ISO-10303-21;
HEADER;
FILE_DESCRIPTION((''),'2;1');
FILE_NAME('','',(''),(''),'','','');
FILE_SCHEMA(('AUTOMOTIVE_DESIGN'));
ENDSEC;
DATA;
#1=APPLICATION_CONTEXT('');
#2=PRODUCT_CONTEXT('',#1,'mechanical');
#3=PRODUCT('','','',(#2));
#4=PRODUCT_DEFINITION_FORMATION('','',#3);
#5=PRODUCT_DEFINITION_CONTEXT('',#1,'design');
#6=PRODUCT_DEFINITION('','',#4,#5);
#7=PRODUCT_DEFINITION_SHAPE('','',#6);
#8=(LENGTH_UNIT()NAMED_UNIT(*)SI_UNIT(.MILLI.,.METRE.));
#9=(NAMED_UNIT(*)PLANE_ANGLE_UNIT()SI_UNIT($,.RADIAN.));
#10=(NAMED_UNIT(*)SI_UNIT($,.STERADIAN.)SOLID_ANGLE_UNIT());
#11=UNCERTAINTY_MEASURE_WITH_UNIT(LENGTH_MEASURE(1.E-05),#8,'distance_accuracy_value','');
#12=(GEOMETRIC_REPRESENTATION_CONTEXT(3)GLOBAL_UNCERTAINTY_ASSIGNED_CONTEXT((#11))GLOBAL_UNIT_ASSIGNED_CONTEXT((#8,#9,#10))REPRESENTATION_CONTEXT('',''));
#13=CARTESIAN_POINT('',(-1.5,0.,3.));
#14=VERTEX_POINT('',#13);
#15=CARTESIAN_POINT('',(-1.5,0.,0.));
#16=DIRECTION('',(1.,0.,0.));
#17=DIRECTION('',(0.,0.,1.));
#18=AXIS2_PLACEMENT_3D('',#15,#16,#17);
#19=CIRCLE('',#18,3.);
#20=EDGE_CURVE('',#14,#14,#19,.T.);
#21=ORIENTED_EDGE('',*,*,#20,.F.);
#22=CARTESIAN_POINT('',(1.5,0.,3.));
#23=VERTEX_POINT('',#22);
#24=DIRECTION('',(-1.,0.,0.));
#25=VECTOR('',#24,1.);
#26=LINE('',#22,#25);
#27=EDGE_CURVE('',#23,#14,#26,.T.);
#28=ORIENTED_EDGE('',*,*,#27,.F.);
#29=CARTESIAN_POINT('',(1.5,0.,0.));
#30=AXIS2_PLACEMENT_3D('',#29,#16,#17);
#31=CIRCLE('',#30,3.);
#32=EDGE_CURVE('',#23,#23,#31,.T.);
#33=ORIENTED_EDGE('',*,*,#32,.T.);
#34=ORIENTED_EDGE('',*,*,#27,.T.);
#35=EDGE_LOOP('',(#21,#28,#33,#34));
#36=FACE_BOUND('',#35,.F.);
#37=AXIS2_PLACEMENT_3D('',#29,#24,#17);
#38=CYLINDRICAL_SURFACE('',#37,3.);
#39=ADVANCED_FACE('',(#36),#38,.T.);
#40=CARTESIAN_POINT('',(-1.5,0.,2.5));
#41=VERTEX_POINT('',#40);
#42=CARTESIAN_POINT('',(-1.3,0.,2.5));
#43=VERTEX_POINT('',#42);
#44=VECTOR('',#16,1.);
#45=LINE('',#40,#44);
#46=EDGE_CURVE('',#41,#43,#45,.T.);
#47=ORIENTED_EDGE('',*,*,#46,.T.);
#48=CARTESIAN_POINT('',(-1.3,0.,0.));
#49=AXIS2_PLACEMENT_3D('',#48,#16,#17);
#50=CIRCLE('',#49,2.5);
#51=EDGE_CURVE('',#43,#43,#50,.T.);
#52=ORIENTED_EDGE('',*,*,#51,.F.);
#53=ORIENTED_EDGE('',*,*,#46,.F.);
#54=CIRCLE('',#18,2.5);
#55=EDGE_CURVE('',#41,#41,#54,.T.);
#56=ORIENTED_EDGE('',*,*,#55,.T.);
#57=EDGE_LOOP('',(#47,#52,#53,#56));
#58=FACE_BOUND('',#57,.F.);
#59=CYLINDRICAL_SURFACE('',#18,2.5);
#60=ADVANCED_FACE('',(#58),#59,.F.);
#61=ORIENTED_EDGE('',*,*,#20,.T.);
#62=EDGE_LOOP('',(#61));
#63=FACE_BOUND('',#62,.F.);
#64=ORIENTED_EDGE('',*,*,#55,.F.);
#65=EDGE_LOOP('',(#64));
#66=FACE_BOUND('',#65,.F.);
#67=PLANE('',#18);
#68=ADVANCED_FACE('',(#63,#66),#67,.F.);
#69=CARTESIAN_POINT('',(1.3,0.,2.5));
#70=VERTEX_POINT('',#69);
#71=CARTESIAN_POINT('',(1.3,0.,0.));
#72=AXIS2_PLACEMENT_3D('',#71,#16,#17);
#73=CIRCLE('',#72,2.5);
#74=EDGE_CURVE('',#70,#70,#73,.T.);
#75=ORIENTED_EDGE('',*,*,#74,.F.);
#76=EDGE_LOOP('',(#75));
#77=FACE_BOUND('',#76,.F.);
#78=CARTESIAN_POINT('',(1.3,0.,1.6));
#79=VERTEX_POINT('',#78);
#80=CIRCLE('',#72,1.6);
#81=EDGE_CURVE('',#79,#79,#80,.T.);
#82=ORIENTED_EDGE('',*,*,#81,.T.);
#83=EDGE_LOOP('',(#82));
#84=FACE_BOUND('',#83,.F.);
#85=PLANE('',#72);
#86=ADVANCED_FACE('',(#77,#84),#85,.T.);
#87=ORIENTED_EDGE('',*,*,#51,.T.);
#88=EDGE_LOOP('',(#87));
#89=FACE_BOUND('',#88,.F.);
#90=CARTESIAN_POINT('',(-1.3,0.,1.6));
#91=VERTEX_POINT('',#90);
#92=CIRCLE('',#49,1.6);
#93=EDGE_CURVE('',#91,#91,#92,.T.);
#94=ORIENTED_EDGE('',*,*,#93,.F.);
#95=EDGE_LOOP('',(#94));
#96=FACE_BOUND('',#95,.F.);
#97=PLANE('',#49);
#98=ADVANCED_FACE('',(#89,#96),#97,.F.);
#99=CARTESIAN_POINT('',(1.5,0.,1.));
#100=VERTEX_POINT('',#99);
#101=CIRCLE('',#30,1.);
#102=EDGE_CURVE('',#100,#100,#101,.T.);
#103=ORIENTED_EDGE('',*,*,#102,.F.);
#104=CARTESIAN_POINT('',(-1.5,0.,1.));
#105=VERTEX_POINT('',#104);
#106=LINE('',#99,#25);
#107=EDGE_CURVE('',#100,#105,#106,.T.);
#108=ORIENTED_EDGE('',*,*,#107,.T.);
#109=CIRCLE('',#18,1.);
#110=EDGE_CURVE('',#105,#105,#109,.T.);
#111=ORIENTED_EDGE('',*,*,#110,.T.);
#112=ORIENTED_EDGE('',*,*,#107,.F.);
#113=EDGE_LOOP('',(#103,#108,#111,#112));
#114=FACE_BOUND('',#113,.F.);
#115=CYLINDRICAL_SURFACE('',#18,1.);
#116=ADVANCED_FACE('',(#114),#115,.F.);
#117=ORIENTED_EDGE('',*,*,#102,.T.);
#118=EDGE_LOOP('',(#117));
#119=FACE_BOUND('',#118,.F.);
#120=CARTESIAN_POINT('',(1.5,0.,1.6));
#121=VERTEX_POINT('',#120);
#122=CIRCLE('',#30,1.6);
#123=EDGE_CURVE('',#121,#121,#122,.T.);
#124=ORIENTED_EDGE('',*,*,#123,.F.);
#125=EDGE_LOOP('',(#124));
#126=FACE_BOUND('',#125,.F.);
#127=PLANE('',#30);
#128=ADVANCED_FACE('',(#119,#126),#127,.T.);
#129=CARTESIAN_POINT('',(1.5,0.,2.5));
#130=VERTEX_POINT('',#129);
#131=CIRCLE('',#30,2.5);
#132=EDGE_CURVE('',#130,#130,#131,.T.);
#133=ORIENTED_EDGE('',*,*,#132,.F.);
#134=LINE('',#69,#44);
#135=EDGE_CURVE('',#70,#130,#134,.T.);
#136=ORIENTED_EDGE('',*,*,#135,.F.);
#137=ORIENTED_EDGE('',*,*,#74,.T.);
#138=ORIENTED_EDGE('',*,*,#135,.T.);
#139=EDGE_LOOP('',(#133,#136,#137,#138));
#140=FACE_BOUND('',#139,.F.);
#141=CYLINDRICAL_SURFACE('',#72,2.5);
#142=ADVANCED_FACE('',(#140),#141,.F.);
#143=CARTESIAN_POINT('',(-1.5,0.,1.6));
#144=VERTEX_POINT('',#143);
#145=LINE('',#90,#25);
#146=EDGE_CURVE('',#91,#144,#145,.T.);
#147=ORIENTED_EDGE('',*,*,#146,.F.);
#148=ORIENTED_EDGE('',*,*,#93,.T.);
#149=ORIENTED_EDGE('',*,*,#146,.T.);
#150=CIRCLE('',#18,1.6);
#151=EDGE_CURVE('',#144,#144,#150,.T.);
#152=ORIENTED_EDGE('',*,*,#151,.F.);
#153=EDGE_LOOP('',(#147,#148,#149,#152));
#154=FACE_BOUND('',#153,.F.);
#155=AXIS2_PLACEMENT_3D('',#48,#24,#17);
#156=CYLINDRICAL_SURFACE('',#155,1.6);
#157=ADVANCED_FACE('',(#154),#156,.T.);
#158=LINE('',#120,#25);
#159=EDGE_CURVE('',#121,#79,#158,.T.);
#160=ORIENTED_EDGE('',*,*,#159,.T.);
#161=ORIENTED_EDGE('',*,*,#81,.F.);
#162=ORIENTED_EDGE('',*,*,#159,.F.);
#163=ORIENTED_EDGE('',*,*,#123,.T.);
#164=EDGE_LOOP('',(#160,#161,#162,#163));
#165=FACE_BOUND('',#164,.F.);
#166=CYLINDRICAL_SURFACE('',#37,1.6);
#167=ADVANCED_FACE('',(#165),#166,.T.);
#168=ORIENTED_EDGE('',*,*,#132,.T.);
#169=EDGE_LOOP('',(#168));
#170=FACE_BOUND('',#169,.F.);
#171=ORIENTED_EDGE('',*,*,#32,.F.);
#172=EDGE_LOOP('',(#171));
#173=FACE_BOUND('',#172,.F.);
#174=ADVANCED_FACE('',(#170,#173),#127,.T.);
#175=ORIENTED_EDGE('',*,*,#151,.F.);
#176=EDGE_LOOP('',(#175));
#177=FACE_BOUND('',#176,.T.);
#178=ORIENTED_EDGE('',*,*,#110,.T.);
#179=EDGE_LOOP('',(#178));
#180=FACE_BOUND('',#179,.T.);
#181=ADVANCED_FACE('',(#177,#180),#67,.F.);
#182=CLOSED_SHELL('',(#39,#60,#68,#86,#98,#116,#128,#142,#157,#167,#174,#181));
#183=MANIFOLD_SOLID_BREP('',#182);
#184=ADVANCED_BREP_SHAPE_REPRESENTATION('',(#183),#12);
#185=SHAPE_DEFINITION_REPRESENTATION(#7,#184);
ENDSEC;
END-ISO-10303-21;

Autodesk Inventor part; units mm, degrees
ref_plane "YZ Plane" through (0, 0, 0) normal (1, 0, 0) x (0, 1, 0)
ref_plane "XZ Plane" through (0, 0, 0) normal (0, 1, 0) x (-1, 0, 0)
ref_plane "XY Plane" through (0, 0, 0) normal (0, 0, 1) x (1, 0, 0)
sketch "Skizze1" plane through (0, 0, 0) normal (0, 1, 0) x (-1, 0, 0)
  line L0 (1.5, 0) -> (-1.5, 0)
  line L1 (1.5, 1) -> (-1.5, 1)
  line L2 (-1.5, 1) -> (-1.5, 1.6)
  line L3 (-1.5, 1.6) -> (-1.3, 1.6)
  line L4 (-1.3, 1.6) -> (-1.3, 2.5)
  line L5 (-1.3, 2.5) -> (-1.5, 2.5)
  line L6 (-1.5, 2.5) -> (-1.5, 3)
  line L7 (-1.5, 3) -> (1.5, 3)
  line L8 (1.5, 3) -> (1.5, 2.5)
  line L9 (1.5, 2.5) -> (1.3, 2.5)
  line L10 (1.3, 2.5) -> (1.3, 1.6)
  line L11 (1.3, 1.6) -> (1.5, 1.6)
  line L12 (1.5, 1) -> (1.5, 1.6)
  line L13 (0, -0.6) -> (0, 3.6) projected
  point P0 (0, 0)
  dimension "d0" = 2
  dimension "d1" = 6
  dimension "d2" = 3
  dimension "d3" = 0.2
  dimension "d4" = 0.6
  dimension "d5" = 0.5
revolve "Umdrehung1" add sketch "Skizze1" angle 360 about axis through (-1.5, 0, 0) along (1, 0, 0)
equation "\"d4\" = 0.1 * d1"
properties part number "Kugellager 692-ZZ" material "Stahl, weich, geschweißt"
